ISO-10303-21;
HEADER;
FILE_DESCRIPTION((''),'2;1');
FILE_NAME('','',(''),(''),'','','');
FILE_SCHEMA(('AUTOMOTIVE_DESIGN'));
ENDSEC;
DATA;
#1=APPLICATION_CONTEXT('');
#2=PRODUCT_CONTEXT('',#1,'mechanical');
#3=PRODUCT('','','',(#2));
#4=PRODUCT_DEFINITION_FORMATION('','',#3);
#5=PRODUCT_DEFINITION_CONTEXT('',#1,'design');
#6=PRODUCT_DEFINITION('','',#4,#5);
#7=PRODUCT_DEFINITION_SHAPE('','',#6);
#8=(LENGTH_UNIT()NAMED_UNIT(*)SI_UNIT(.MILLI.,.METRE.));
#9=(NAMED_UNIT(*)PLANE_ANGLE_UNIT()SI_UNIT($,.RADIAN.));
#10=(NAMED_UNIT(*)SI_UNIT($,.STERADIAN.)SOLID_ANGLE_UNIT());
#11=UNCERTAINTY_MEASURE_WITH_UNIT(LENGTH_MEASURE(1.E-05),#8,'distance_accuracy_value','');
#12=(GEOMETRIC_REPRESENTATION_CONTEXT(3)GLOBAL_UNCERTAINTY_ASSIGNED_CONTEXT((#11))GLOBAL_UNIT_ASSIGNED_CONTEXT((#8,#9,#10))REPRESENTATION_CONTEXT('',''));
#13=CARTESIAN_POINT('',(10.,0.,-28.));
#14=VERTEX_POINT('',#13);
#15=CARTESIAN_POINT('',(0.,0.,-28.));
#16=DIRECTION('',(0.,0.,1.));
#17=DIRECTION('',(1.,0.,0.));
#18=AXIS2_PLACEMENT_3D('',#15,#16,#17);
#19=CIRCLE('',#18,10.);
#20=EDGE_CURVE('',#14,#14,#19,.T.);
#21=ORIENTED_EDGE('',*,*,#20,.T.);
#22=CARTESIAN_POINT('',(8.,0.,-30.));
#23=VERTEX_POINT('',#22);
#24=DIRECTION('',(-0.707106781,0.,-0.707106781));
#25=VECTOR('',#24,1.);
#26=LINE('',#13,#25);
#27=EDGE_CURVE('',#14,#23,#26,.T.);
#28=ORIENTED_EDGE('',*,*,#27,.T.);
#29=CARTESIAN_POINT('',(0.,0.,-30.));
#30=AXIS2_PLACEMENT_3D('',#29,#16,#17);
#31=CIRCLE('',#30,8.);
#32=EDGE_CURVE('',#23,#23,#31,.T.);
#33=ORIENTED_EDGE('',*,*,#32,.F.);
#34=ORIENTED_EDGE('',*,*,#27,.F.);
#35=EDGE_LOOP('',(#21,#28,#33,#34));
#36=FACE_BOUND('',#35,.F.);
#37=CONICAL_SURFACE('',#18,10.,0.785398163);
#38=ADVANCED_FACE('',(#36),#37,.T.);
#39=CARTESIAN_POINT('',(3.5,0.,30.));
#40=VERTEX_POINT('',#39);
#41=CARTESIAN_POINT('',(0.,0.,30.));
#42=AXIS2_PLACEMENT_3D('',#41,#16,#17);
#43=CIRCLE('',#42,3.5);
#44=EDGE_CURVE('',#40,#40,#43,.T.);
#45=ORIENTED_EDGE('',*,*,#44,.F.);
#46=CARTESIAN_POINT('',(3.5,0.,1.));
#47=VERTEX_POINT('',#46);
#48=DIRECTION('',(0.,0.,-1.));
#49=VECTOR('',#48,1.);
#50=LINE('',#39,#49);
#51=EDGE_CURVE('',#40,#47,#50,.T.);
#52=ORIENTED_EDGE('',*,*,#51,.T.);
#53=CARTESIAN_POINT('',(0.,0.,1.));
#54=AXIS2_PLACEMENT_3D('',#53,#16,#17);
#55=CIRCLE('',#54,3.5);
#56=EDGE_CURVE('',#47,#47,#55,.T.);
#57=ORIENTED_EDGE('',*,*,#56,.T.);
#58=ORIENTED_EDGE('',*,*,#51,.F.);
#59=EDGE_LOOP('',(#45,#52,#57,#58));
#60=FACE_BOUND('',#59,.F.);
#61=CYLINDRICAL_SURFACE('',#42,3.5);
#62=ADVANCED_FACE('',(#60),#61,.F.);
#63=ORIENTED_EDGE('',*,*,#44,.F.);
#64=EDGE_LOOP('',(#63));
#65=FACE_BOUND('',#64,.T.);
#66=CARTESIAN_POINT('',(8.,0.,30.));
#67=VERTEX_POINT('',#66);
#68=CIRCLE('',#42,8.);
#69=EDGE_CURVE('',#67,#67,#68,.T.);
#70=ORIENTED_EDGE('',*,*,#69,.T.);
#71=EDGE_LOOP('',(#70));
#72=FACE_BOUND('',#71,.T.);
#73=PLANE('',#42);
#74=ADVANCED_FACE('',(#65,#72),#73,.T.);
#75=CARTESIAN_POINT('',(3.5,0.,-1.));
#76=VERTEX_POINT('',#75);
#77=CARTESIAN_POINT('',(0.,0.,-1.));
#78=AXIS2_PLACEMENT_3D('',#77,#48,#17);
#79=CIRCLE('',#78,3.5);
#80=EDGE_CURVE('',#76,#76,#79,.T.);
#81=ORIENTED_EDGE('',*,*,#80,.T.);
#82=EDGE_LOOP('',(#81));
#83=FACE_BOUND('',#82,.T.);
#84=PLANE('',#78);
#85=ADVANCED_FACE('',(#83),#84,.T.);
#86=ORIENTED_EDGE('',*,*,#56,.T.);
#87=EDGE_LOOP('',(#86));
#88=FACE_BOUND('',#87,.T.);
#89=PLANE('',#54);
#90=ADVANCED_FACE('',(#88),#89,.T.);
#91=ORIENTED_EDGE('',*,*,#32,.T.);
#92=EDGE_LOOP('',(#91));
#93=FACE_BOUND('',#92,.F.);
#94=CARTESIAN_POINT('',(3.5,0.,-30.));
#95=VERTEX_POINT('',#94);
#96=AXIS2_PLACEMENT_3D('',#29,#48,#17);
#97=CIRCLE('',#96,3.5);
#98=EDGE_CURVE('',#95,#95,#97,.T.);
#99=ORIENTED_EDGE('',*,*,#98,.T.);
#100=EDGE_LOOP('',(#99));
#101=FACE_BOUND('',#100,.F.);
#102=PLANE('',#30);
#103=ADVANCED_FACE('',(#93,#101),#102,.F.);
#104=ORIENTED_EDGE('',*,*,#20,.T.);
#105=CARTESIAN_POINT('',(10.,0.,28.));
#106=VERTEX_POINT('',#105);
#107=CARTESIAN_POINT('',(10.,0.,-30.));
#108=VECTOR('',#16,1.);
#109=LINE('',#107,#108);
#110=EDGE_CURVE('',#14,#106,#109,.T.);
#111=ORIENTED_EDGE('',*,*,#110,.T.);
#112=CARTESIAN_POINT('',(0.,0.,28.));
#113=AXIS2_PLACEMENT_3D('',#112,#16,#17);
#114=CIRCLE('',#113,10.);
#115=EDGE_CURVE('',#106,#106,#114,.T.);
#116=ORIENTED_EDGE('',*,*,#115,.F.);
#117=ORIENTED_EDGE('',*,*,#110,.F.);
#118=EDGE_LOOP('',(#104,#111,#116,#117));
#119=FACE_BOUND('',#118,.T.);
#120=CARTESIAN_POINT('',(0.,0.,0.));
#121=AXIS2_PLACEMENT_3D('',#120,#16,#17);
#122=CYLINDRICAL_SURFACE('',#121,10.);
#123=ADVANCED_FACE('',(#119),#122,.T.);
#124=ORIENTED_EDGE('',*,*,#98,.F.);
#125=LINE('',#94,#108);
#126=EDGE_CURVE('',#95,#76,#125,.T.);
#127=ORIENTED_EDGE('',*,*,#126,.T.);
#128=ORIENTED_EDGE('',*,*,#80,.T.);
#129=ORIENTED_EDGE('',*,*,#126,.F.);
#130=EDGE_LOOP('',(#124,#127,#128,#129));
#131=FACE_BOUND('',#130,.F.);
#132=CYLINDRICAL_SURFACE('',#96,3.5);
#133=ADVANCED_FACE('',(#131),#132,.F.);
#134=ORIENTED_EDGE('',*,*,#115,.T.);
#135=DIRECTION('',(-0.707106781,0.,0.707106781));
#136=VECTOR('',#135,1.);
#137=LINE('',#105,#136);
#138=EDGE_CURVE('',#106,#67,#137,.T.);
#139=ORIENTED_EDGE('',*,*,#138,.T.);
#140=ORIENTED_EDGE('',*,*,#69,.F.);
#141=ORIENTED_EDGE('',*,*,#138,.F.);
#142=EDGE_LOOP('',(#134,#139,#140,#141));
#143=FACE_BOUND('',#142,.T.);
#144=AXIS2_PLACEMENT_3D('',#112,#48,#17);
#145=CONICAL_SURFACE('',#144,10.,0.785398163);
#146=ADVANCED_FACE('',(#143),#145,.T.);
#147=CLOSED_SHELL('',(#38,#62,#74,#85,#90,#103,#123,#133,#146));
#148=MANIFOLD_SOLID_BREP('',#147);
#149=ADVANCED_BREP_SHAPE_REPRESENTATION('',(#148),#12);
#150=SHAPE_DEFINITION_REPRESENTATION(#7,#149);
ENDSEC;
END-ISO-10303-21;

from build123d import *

# Parameters (mm, degrees)
F0_R     = 10
F1_DEPTH = 30
F2_R     = 3.5
F4_DEPTH = 29
F3_R     = 3.5
F5_DEPTH = 29
F6_SIZE  = 2


with BuildPart() as f1:
    # F0 (on Top) → F1 (new body, symmetric)
    with BuildSketch(Plane.XY):
        Circle(F0_R)
    extrude(amount=F1_DEPTH, both=True)

    # F2 (on face) → F4 (cut)
    with BuildSketch(Plane(origin=(0, 0, -30), x_dir=(1, 0, 0), z_dir=(0, 0, -1))):
        Circle(F2_R)
    extrude(amount=-F4_DEPTH, mode=Mode.SUBTRACT)

    # F3 (on face) → F5 (cut)
    with BuildSketch(Plane.XY.offset(30)):
        Circle(F3_R)
    extrude(amount=-F5_DEPTH, mode=Mode.SUBTRACT)

    # F6
    f6_edges = [f1.edges().sort_by_distance(p)[0] for p in [
        (-10, 0, 30),
        (-10, 0, -30),
    ]]
    chamfer(f6_edges, length=F6_SIZE)


solid = f1.part
